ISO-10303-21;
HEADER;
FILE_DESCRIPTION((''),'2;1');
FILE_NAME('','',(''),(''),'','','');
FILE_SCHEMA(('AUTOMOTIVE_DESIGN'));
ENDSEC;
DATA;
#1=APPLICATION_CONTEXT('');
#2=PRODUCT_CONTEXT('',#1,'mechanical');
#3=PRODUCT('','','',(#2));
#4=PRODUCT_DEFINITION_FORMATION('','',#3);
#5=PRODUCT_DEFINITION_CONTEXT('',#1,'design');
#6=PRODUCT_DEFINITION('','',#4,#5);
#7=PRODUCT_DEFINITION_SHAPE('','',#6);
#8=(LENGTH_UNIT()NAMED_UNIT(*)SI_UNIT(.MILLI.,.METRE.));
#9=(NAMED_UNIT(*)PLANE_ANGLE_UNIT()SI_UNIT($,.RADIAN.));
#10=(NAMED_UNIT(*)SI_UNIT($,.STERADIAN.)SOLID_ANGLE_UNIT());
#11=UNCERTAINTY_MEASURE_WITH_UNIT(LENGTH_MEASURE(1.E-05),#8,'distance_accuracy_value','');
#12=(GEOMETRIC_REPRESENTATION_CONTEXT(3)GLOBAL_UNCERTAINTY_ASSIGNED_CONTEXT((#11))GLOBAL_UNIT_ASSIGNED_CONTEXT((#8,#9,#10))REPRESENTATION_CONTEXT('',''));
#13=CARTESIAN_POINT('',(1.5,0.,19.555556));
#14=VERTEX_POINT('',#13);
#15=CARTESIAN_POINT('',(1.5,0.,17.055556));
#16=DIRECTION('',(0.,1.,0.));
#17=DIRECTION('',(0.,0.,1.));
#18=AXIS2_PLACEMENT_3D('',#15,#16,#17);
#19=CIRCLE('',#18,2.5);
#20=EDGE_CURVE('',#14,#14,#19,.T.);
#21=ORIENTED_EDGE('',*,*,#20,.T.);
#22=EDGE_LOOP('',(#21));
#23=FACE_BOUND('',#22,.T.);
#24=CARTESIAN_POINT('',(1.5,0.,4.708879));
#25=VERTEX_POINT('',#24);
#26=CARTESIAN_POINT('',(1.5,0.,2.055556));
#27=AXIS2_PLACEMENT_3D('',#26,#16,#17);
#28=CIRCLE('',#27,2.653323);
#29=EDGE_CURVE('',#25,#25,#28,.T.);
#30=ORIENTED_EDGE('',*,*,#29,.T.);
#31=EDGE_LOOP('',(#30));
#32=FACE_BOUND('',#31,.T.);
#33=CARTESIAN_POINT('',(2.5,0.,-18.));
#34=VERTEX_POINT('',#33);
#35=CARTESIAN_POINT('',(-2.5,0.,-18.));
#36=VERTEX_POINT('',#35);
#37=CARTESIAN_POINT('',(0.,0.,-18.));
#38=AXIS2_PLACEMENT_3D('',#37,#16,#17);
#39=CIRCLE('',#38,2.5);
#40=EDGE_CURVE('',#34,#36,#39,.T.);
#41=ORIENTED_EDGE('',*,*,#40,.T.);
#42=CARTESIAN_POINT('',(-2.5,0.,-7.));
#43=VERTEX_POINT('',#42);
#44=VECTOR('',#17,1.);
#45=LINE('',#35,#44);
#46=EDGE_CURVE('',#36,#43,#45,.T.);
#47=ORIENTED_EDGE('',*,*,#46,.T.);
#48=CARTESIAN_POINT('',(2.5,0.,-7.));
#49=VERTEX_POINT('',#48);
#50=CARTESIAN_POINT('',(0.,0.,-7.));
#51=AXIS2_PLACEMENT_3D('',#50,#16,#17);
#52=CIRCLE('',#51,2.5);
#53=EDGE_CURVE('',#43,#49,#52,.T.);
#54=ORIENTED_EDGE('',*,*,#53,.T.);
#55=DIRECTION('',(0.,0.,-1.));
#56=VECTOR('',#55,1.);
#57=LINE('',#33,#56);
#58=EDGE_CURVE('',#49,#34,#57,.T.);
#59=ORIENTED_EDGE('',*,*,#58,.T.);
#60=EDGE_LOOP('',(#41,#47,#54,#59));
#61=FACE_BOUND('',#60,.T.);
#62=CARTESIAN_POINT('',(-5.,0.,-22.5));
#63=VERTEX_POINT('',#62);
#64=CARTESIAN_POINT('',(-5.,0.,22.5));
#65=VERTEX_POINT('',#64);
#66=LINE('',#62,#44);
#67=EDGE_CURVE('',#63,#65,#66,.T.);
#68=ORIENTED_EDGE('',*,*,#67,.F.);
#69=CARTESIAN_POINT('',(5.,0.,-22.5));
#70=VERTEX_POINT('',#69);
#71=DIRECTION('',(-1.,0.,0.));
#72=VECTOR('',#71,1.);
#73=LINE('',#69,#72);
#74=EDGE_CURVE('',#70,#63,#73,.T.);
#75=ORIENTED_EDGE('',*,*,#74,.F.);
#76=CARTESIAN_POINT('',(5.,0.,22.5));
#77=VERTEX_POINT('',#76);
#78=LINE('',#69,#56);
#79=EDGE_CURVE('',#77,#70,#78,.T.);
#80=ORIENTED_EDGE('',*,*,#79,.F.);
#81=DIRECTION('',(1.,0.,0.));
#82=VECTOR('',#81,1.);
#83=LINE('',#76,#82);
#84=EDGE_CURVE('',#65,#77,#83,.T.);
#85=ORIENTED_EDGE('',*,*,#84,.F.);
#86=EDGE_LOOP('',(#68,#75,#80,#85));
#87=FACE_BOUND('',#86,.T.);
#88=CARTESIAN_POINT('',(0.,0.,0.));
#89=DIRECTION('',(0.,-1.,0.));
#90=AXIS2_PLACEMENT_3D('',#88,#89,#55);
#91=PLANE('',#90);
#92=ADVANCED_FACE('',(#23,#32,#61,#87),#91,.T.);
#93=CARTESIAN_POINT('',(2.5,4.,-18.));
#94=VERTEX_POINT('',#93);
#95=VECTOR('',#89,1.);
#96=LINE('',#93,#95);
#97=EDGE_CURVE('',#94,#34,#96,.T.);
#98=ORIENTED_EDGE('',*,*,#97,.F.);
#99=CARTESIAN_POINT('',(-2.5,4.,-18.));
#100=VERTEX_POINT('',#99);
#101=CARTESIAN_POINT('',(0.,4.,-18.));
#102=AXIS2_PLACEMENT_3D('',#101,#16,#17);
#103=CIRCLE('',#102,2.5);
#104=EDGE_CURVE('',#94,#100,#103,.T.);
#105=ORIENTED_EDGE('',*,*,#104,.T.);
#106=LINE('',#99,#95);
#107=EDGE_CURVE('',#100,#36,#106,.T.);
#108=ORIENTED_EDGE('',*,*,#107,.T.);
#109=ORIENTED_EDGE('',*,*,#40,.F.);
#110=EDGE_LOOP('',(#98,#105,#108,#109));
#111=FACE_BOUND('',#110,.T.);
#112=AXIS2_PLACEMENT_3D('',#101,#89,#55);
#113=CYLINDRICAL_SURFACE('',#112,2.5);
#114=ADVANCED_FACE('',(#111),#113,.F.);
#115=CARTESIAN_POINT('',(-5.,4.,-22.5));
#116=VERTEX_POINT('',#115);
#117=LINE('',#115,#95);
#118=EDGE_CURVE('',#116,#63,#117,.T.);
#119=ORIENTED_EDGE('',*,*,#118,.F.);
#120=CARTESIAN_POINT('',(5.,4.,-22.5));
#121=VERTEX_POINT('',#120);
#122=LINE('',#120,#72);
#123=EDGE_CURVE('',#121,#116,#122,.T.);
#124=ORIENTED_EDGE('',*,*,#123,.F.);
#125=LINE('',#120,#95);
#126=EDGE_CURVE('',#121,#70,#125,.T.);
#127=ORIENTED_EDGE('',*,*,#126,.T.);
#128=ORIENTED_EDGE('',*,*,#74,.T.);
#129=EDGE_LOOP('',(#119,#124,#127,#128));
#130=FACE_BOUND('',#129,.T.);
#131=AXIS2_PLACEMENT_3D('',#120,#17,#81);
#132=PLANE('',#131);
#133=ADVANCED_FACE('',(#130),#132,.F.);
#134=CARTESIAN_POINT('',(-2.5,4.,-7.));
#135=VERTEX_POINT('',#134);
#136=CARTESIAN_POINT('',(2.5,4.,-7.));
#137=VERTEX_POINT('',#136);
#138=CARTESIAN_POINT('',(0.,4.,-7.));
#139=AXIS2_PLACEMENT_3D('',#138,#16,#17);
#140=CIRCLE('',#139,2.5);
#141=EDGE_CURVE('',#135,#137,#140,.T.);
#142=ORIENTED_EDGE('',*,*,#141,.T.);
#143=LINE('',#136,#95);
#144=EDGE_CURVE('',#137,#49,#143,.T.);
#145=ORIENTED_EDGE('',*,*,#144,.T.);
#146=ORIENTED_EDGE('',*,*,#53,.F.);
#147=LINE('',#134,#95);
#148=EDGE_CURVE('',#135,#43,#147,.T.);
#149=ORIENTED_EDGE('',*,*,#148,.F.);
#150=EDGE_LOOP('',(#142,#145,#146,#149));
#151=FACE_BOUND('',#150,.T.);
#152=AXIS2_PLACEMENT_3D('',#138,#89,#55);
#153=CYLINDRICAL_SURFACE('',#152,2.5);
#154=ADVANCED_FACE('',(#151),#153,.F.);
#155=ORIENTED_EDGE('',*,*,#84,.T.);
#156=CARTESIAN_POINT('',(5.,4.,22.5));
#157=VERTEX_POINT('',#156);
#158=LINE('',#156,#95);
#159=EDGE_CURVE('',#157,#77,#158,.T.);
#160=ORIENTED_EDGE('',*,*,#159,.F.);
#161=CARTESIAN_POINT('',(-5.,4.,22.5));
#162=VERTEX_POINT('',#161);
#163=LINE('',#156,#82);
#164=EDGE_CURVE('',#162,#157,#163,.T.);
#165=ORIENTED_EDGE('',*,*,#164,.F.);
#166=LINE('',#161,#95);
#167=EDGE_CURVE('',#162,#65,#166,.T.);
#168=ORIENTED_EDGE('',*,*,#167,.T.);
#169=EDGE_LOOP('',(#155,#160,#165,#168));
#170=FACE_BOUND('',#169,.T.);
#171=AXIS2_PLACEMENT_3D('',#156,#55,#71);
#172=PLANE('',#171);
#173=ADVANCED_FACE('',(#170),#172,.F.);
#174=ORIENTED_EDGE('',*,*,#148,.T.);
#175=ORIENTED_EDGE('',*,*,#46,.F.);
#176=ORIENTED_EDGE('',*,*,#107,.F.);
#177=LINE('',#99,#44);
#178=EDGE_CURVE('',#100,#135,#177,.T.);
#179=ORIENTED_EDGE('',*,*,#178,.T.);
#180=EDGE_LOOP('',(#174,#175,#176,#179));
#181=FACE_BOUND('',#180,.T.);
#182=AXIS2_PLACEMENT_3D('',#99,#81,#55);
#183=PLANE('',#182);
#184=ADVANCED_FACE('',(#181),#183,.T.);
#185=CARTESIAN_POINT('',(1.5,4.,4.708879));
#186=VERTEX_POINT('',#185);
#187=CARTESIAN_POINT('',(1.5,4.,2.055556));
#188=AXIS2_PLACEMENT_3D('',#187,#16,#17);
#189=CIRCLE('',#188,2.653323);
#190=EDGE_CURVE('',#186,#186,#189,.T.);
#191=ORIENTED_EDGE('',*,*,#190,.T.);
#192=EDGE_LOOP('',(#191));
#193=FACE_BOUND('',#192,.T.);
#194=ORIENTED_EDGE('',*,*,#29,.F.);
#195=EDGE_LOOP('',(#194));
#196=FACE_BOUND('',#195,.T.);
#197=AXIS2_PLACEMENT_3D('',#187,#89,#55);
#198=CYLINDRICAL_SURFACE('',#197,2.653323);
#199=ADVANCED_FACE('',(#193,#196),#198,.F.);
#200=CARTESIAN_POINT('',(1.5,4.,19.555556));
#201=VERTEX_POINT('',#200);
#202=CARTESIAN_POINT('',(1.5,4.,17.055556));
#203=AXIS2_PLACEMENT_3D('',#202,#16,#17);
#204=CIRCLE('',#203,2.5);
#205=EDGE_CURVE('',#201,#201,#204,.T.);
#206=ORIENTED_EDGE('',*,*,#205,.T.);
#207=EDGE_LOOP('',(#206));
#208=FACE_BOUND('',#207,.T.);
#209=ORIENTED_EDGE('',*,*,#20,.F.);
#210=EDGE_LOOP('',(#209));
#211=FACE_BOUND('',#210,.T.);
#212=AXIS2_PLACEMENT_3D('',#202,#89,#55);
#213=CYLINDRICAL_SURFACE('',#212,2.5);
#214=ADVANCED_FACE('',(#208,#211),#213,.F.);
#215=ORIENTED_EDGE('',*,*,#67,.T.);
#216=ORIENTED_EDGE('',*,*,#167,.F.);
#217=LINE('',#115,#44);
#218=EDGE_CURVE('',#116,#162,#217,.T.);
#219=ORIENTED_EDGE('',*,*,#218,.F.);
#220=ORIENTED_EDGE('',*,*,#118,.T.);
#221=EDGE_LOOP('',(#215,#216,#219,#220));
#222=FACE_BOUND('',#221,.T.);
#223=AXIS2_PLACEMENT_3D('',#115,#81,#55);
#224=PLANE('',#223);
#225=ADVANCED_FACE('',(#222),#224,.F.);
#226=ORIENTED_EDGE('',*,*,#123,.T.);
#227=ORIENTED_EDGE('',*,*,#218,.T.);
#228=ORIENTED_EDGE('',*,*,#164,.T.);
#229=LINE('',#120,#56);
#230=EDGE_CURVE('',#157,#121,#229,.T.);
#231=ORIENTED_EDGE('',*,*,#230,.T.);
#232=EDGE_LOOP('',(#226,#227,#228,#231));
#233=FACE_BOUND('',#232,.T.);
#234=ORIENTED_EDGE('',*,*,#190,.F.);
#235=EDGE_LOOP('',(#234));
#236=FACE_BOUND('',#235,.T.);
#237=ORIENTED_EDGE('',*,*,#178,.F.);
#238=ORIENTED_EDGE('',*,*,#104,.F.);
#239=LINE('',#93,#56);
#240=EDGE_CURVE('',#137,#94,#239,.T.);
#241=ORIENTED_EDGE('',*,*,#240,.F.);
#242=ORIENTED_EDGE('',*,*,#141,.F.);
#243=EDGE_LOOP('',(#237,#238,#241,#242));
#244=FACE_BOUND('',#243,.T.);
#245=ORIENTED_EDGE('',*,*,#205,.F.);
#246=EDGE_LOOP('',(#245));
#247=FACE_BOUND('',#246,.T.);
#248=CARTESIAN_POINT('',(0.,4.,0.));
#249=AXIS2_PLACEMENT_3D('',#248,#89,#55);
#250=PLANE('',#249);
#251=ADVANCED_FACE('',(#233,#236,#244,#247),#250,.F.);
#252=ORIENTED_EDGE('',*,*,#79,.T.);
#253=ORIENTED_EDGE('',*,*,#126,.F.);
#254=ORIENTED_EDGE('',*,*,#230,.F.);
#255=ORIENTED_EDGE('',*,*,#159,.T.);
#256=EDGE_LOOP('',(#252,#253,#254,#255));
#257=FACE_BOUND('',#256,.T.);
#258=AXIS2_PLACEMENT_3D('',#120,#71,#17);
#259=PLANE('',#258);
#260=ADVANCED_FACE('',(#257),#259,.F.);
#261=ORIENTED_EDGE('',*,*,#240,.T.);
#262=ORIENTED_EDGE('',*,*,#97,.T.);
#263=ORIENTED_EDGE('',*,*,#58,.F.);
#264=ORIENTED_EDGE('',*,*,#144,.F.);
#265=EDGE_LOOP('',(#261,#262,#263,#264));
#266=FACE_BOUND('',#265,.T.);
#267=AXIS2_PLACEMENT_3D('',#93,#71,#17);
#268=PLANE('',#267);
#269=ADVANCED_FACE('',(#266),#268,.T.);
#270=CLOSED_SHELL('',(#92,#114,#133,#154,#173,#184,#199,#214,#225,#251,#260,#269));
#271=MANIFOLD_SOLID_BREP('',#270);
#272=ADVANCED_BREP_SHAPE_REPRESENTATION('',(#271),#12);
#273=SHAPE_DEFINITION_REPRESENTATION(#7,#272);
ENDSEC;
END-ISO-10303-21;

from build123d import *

# Parameters (mm, degrees)
SKETCH_1_W      = 10
SKETCH_1_H      = 45
SKETCH_1_R      = 2.653323097
SKETCH_1_R_2    = 2.5
EXTRUDE_1_DEPTH = 4


with BuildPart() as part:
    # 草圖1 → 填料-伸長1 (new body)
    with BuildSketch(Plane(origin=(0, 0, 0), x_dir=(1, 0, 0), z_dir=(0, 1, 0))):
        Rectangle(SKETCH_1_W, SKETCH_1_H)
        with Locations(Location((1.5, -2.055555556, 0), (0, 0, 270))):
            Circle(SKETCH_1_R, mode=Mode.SUBTRACT)
        with Locations(Location((1.5, -17.055555556, 0), (0, 0, 270))):
            Circle(SKETCH_1_R_2, mode=Mode.SUBTRACT)
        with BuildLine():
            Line((2.5, 18), (2.5, 7))
            ThreePointArc((2.5, 7), (0, 4.5), (-2.5, 7))
            Line((-2.5, 7), (-2.5, 18))
            ThreePointArc((-2.5, 18), (0, 20.5), (2.5, 18))
        make_face(mode=Mode.SUBTRACT)
    extrude(amount=EXTRUDE_1_DEPTH)


solid = part.part
